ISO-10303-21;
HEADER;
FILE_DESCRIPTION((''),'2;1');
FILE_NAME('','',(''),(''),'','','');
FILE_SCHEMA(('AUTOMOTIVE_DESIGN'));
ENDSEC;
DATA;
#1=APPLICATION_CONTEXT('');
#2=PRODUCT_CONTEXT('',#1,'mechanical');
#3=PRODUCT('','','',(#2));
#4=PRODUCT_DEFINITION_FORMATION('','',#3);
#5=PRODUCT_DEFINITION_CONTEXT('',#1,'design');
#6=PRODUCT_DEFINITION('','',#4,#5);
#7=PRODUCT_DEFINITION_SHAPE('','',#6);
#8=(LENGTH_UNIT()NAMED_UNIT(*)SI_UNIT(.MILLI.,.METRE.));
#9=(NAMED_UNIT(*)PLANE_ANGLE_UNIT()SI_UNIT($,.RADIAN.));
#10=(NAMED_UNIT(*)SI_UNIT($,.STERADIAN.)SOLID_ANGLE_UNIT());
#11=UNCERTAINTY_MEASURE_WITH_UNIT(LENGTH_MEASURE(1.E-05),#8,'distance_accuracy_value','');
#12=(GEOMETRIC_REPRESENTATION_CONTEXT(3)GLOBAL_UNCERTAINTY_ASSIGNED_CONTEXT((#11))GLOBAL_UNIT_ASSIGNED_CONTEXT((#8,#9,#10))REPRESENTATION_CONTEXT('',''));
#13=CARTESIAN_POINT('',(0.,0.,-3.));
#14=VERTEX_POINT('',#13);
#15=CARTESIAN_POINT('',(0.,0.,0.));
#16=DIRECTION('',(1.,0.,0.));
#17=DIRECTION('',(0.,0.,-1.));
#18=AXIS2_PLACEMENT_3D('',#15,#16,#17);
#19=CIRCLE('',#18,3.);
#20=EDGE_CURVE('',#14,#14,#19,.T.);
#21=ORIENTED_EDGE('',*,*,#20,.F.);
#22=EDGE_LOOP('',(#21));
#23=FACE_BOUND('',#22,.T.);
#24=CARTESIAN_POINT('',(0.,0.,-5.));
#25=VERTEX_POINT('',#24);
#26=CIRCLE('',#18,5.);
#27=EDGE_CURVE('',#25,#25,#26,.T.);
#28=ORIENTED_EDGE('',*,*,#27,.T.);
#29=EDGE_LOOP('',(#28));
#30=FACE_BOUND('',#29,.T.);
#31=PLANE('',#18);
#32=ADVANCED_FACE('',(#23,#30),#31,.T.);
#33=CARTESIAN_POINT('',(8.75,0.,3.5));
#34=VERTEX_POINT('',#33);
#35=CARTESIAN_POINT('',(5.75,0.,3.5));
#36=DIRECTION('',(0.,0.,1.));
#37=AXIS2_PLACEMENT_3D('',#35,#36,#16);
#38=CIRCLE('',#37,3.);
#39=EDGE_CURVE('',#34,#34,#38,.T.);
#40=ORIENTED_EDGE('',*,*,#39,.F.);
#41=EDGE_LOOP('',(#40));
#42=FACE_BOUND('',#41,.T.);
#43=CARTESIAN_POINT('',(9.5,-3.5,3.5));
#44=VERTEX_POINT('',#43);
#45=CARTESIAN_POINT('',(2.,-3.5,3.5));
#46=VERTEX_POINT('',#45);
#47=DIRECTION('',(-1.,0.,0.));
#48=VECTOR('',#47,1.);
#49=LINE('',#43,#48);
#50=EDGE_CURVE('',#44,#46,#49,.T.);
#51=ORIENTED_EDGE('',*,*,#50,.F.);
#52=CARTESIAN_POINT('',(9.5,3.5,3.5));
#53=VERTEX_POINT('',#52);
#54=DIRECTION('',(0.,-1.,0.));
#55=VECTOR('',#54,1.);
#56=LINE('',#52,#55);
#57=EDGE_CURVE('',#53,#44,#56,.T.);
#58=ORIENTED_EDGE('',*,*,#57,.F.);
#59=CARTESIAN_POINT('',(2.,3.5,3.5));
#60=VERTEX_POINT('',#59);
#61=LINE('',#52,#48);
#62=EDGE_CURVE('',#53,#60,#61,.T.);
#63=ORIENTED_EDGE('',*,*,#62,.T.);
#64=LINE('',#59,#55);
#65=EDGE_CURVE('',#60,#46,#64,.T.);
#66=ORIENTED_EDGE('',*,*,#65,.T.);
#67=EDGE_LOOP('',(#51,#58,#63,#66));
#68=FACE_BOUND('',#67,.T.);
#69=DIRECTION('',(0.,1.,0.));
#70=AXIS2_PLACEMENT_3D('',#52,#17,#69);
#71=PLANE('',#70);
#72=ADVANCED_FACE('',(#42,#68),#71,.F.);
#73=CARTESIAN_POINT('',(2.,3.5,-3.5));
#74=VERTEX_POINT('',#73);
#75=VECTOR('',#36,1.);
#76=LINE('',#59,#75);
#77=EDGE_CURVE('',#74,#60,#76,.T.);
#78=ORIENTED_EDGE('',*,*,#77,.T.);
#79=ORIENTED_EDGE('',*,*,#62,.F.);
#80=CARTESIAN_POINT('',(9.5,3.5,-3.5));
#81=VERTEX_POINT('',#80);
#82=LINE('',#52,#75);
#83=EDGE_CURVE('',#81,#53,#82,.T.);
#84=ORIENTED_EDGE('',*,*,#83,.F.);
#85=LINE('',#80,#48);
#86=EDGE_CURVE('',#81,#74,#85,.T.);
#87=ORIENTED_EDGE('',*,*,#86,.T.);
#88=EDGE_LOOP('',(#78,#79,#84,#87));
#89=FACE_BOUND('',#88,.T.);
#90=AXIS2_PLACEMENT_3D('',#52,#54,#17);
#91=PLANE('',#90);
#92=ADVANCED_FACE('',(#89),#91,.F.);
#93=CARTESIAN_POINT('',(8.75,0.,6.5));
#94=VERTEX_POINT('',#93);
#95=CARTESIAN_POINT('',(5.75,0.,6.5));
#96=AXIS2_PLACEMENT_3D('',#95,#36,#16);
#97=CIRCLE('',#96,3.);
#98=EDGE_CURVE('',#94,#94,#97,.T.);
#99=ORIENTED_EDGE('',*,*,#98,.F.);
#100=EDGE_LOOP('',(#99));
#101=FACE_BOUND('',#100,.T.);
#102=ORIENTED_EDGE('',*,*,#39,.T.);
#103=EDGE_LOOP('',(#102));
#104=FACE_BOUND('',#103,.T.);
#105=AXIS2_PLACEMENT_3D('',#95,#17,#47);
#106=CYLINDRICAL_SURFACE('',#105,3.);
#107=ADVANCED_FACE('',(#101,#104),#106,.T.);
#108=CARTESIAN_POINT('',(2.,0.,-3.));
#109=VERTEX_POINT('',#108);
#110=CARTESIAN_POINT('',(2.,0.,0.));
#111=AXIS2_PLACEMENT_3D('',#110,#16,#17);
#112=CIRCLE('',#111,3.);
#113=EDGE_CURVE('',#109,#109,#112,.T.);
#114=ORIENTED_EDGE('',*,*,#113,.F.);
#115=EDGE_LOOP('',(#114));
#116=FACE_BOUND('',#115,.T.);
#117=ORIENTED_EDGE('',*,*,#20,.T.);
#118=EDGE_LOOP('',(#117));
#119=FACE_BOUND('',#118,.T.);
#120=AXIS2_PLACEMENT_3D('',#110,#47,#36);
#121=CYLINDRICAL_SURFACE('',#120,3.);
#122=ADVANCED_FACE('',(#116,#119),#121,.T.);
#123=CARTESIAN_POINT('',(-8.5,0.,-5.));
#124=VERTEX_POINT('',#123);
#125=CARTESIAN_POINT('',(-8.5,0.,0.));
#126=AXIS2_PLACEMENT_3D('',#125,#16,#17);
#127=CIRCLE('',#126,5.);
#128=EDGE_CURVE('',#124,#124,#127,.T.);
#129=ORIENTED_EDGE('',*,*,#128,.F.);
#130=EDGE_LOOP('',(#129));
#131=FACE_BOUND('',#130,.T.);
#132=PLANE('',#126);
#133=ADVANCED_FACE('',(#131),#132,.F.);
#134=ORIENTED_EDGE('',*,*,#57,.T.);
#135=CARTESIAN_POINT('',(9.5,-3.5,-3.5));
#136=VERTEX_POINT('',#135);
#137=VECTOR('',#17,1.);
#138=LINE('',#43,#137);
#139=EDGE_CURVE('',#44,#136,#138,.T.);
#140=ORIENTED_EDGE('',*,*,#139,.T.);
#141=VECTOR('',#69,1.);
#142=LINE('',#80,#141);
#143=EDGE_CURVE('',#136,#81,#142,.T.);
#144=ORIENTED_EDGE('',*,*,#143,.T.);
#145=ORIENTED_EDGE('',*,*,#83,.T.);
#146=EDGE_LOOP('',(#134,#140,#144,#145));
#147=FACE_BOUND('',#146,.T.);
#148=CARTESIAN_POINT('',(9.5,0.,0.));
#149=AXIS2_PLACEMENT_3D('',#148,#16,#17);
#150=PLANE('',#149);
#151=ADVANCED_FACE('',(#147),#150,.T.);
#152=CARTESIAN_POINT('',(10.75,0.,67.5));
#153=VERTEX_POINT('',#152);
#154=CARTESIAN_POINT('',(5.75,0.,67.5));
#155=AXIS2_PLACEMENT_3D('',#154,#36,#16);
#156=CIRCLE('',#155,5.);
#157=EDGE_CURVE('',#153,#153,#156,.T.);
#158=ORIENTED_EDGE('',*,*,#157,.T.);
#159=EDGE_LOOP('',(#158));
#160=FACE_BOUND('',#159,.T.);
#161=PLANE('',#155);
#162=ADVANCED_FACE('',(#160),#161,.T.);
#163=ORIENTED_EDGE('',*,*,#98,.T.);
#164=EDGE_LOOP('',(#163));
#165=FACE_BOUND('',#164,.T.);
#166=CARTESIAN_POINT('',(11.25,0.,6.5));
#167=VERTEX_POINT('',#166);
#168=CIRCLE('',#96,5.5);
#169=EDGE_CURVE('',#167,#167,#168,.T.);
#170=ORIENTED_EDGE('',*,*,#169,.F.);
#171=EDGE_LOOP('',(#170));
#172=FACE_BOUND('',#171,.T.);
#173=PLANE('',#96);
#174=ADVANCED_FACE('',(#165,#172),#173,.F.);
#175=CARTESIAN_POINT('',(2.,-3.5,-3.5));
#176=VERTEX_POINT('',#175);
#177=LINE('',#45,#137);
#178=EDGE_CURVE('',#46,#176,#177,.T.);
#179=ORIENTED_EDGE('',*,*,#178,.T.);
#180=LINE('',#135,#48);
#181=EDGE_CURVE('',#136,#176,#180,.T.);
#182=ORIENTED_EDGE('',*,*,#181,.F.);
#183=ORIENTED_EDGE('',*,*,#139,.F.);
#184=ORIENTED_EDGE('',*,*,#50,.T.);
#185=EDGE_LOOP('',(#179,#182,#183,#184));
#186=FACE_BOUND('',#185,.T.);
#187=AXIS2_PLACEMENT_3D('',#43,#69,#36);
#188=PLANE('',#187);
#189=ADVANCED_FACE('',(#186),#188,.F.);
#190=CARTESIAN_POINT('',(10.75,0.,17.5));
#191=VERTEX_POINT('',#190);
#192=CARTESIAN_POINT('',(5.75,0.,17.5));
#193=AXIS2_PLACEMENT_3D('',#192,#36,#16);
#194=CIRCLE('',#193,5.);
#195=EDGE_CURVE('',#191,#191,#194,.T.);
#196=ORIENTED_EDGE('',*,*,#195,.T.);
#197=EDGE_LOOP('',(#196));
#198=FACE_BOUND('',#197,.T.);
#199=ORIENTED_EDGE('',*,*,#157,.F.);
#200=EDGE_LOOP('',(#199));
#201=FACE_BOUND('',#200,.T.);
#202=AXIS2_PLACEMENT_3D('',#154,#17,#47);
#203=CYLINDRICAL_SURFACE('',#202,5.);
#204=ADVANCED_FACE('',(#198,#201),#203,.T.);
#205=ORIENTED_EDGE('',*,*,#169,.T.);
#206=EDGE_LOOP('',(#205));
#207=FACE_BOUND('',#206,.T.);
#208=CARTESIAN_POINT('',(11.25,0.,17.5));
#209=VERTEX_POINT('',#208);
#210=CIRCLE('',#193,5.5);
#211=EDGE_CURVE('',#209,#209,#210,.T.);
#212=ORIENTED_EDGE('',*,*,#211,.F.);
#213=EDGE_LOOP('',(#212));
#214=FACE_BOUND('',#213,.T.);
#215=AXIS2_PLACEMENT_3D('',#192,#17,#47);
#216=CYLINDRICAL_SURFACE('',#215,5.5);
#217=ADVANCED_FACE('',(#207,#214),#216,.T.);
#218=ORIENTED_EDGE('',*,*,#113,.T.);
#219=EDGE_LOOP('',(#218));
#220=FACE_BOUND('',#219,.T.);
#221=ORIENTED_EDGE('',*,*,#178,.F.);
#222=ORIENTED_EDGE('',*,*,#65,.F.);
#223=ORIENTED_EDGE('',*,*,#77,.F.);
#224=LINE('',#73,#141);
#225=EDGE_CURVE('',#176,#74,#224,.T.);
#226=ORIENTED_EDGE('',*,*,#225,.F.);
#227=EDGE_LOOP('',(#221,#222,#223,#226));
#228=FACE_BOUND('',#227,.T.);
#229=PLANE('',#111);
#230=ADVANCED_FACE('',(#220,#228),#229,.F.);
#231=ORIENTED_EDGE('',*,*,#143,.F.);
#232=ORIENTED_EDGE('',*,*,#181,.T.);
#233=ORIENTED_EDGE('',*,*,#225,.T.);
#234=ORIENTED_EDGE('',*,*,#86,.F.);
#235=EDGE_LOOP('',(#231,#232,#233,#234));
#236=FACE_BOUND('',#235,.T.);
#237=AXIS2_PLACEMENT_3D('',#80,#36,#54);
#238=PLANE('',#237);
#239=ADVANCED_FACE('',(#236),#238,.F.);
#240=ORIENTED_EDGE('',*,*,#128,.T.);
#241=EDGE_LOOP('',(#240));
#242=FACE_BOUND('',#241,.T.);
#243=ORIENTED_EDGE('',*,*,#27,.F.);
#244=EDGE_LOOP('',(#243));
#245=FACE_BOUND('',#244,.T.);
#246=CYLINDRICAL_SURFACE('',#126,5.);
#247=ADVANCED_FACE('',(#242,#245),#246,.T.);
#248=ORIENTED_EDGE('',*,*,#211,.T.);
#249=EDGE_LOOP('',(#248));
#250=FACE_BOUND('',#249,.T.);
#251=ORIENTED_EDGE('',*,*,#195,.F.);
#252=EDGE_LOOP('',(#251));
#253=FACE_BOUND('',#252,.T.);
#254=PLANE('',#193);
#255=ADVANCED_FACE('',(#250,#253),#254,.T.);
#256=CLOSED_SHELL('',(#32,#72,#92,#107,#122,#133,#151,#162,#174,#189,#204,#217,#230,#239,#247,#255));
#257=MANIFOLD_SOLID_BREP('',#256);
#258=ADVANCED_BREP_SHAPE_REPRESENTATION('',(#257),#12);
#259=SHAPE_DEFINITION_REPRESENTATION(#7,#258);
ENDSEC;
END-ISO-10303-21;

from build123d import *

# Parameters (mm, degrees)
SKETCH1_R              = 5
BARREL_CONNECTOR_DEPTH = 8.5
SKETCH2_R              = 3
BOSS_EXTRUDE2_DEPTH    = 2
SKETCH3_W              = 7
SKETCH3_H              = 7
BOSS_EXTRUDE3_DEPTH    = 7.5
SKETCH4_R              = 3
BOSS_EXTRUDE4_DEPTH    = 3
SKETCH5_R              = 5.5
BOSS_EXTRUDE5_DEPTH    = 11
SKETCH6_R              = 5
BOSS_EXTRUDE6_DEPTH    = 50


with BuildPart() as part:
    # Sketch1 → Barrel Connector (new body)
    with BuildSketch(Plane(origin=(0, 0, 0), x_dir=(0, 0, -1), z_dir=(1, 0, 0))):
        Circle(SKETCH1_R)
    extrude(amount=-BARREL_CONNECTOR_DEPTH)

    # Sketch2 → Boss-Extrude2 (add)
    with BuildSketch(Plane(origin=(0, 0, 0), x_dir=(0, 0, -1), z_dir=(1, 0, 0))):
        Circle(SKETCH2_R)
    extrude(amount=BOSS_EXTRUDE2_DEPTH)

    # Sketch3 → Boss-Extrude3 (add)
    with BuildSketch(Plane(origin=(2, 0, 0), x_dir=(0, 0, -1), z_dir=(1, 0, 0))):
        Rectangle(SKETCH3_W, SKETCH3_H)
    extrude(amount=BOSS_EXTRUDE3_DEPTH)

    # Sketch4 → Boss-Extrude4 (add)
    with BuildSketch(Plane.XY.offset(3.5)):
        with Locations((5.75, 0)):
            Circle(SKETCH4_R)
    extrude(amount=BOSS_EXTRUDE4_DEPTH)

    # Sketch5 → Boss-Extrude5 (add)
    with BuildSketch(Plane.XY.offset(6.5)):
        with Locations((5.75, 0)):
            Circle(SKETCH5_R)
    extrude(amount=BOSS_EXTRUDE5_DEPTH)

    # Sketch6 → Boss-Extrude6 (add)
    with BuildSketch(Plane.XY.offset(17.5)):
        with Locations((5.75, 0)):
            Circle(SKETCH6_R)
    extrude(amount=BOSS_EXTRUDE6_DEPTH)


solid = part.part
